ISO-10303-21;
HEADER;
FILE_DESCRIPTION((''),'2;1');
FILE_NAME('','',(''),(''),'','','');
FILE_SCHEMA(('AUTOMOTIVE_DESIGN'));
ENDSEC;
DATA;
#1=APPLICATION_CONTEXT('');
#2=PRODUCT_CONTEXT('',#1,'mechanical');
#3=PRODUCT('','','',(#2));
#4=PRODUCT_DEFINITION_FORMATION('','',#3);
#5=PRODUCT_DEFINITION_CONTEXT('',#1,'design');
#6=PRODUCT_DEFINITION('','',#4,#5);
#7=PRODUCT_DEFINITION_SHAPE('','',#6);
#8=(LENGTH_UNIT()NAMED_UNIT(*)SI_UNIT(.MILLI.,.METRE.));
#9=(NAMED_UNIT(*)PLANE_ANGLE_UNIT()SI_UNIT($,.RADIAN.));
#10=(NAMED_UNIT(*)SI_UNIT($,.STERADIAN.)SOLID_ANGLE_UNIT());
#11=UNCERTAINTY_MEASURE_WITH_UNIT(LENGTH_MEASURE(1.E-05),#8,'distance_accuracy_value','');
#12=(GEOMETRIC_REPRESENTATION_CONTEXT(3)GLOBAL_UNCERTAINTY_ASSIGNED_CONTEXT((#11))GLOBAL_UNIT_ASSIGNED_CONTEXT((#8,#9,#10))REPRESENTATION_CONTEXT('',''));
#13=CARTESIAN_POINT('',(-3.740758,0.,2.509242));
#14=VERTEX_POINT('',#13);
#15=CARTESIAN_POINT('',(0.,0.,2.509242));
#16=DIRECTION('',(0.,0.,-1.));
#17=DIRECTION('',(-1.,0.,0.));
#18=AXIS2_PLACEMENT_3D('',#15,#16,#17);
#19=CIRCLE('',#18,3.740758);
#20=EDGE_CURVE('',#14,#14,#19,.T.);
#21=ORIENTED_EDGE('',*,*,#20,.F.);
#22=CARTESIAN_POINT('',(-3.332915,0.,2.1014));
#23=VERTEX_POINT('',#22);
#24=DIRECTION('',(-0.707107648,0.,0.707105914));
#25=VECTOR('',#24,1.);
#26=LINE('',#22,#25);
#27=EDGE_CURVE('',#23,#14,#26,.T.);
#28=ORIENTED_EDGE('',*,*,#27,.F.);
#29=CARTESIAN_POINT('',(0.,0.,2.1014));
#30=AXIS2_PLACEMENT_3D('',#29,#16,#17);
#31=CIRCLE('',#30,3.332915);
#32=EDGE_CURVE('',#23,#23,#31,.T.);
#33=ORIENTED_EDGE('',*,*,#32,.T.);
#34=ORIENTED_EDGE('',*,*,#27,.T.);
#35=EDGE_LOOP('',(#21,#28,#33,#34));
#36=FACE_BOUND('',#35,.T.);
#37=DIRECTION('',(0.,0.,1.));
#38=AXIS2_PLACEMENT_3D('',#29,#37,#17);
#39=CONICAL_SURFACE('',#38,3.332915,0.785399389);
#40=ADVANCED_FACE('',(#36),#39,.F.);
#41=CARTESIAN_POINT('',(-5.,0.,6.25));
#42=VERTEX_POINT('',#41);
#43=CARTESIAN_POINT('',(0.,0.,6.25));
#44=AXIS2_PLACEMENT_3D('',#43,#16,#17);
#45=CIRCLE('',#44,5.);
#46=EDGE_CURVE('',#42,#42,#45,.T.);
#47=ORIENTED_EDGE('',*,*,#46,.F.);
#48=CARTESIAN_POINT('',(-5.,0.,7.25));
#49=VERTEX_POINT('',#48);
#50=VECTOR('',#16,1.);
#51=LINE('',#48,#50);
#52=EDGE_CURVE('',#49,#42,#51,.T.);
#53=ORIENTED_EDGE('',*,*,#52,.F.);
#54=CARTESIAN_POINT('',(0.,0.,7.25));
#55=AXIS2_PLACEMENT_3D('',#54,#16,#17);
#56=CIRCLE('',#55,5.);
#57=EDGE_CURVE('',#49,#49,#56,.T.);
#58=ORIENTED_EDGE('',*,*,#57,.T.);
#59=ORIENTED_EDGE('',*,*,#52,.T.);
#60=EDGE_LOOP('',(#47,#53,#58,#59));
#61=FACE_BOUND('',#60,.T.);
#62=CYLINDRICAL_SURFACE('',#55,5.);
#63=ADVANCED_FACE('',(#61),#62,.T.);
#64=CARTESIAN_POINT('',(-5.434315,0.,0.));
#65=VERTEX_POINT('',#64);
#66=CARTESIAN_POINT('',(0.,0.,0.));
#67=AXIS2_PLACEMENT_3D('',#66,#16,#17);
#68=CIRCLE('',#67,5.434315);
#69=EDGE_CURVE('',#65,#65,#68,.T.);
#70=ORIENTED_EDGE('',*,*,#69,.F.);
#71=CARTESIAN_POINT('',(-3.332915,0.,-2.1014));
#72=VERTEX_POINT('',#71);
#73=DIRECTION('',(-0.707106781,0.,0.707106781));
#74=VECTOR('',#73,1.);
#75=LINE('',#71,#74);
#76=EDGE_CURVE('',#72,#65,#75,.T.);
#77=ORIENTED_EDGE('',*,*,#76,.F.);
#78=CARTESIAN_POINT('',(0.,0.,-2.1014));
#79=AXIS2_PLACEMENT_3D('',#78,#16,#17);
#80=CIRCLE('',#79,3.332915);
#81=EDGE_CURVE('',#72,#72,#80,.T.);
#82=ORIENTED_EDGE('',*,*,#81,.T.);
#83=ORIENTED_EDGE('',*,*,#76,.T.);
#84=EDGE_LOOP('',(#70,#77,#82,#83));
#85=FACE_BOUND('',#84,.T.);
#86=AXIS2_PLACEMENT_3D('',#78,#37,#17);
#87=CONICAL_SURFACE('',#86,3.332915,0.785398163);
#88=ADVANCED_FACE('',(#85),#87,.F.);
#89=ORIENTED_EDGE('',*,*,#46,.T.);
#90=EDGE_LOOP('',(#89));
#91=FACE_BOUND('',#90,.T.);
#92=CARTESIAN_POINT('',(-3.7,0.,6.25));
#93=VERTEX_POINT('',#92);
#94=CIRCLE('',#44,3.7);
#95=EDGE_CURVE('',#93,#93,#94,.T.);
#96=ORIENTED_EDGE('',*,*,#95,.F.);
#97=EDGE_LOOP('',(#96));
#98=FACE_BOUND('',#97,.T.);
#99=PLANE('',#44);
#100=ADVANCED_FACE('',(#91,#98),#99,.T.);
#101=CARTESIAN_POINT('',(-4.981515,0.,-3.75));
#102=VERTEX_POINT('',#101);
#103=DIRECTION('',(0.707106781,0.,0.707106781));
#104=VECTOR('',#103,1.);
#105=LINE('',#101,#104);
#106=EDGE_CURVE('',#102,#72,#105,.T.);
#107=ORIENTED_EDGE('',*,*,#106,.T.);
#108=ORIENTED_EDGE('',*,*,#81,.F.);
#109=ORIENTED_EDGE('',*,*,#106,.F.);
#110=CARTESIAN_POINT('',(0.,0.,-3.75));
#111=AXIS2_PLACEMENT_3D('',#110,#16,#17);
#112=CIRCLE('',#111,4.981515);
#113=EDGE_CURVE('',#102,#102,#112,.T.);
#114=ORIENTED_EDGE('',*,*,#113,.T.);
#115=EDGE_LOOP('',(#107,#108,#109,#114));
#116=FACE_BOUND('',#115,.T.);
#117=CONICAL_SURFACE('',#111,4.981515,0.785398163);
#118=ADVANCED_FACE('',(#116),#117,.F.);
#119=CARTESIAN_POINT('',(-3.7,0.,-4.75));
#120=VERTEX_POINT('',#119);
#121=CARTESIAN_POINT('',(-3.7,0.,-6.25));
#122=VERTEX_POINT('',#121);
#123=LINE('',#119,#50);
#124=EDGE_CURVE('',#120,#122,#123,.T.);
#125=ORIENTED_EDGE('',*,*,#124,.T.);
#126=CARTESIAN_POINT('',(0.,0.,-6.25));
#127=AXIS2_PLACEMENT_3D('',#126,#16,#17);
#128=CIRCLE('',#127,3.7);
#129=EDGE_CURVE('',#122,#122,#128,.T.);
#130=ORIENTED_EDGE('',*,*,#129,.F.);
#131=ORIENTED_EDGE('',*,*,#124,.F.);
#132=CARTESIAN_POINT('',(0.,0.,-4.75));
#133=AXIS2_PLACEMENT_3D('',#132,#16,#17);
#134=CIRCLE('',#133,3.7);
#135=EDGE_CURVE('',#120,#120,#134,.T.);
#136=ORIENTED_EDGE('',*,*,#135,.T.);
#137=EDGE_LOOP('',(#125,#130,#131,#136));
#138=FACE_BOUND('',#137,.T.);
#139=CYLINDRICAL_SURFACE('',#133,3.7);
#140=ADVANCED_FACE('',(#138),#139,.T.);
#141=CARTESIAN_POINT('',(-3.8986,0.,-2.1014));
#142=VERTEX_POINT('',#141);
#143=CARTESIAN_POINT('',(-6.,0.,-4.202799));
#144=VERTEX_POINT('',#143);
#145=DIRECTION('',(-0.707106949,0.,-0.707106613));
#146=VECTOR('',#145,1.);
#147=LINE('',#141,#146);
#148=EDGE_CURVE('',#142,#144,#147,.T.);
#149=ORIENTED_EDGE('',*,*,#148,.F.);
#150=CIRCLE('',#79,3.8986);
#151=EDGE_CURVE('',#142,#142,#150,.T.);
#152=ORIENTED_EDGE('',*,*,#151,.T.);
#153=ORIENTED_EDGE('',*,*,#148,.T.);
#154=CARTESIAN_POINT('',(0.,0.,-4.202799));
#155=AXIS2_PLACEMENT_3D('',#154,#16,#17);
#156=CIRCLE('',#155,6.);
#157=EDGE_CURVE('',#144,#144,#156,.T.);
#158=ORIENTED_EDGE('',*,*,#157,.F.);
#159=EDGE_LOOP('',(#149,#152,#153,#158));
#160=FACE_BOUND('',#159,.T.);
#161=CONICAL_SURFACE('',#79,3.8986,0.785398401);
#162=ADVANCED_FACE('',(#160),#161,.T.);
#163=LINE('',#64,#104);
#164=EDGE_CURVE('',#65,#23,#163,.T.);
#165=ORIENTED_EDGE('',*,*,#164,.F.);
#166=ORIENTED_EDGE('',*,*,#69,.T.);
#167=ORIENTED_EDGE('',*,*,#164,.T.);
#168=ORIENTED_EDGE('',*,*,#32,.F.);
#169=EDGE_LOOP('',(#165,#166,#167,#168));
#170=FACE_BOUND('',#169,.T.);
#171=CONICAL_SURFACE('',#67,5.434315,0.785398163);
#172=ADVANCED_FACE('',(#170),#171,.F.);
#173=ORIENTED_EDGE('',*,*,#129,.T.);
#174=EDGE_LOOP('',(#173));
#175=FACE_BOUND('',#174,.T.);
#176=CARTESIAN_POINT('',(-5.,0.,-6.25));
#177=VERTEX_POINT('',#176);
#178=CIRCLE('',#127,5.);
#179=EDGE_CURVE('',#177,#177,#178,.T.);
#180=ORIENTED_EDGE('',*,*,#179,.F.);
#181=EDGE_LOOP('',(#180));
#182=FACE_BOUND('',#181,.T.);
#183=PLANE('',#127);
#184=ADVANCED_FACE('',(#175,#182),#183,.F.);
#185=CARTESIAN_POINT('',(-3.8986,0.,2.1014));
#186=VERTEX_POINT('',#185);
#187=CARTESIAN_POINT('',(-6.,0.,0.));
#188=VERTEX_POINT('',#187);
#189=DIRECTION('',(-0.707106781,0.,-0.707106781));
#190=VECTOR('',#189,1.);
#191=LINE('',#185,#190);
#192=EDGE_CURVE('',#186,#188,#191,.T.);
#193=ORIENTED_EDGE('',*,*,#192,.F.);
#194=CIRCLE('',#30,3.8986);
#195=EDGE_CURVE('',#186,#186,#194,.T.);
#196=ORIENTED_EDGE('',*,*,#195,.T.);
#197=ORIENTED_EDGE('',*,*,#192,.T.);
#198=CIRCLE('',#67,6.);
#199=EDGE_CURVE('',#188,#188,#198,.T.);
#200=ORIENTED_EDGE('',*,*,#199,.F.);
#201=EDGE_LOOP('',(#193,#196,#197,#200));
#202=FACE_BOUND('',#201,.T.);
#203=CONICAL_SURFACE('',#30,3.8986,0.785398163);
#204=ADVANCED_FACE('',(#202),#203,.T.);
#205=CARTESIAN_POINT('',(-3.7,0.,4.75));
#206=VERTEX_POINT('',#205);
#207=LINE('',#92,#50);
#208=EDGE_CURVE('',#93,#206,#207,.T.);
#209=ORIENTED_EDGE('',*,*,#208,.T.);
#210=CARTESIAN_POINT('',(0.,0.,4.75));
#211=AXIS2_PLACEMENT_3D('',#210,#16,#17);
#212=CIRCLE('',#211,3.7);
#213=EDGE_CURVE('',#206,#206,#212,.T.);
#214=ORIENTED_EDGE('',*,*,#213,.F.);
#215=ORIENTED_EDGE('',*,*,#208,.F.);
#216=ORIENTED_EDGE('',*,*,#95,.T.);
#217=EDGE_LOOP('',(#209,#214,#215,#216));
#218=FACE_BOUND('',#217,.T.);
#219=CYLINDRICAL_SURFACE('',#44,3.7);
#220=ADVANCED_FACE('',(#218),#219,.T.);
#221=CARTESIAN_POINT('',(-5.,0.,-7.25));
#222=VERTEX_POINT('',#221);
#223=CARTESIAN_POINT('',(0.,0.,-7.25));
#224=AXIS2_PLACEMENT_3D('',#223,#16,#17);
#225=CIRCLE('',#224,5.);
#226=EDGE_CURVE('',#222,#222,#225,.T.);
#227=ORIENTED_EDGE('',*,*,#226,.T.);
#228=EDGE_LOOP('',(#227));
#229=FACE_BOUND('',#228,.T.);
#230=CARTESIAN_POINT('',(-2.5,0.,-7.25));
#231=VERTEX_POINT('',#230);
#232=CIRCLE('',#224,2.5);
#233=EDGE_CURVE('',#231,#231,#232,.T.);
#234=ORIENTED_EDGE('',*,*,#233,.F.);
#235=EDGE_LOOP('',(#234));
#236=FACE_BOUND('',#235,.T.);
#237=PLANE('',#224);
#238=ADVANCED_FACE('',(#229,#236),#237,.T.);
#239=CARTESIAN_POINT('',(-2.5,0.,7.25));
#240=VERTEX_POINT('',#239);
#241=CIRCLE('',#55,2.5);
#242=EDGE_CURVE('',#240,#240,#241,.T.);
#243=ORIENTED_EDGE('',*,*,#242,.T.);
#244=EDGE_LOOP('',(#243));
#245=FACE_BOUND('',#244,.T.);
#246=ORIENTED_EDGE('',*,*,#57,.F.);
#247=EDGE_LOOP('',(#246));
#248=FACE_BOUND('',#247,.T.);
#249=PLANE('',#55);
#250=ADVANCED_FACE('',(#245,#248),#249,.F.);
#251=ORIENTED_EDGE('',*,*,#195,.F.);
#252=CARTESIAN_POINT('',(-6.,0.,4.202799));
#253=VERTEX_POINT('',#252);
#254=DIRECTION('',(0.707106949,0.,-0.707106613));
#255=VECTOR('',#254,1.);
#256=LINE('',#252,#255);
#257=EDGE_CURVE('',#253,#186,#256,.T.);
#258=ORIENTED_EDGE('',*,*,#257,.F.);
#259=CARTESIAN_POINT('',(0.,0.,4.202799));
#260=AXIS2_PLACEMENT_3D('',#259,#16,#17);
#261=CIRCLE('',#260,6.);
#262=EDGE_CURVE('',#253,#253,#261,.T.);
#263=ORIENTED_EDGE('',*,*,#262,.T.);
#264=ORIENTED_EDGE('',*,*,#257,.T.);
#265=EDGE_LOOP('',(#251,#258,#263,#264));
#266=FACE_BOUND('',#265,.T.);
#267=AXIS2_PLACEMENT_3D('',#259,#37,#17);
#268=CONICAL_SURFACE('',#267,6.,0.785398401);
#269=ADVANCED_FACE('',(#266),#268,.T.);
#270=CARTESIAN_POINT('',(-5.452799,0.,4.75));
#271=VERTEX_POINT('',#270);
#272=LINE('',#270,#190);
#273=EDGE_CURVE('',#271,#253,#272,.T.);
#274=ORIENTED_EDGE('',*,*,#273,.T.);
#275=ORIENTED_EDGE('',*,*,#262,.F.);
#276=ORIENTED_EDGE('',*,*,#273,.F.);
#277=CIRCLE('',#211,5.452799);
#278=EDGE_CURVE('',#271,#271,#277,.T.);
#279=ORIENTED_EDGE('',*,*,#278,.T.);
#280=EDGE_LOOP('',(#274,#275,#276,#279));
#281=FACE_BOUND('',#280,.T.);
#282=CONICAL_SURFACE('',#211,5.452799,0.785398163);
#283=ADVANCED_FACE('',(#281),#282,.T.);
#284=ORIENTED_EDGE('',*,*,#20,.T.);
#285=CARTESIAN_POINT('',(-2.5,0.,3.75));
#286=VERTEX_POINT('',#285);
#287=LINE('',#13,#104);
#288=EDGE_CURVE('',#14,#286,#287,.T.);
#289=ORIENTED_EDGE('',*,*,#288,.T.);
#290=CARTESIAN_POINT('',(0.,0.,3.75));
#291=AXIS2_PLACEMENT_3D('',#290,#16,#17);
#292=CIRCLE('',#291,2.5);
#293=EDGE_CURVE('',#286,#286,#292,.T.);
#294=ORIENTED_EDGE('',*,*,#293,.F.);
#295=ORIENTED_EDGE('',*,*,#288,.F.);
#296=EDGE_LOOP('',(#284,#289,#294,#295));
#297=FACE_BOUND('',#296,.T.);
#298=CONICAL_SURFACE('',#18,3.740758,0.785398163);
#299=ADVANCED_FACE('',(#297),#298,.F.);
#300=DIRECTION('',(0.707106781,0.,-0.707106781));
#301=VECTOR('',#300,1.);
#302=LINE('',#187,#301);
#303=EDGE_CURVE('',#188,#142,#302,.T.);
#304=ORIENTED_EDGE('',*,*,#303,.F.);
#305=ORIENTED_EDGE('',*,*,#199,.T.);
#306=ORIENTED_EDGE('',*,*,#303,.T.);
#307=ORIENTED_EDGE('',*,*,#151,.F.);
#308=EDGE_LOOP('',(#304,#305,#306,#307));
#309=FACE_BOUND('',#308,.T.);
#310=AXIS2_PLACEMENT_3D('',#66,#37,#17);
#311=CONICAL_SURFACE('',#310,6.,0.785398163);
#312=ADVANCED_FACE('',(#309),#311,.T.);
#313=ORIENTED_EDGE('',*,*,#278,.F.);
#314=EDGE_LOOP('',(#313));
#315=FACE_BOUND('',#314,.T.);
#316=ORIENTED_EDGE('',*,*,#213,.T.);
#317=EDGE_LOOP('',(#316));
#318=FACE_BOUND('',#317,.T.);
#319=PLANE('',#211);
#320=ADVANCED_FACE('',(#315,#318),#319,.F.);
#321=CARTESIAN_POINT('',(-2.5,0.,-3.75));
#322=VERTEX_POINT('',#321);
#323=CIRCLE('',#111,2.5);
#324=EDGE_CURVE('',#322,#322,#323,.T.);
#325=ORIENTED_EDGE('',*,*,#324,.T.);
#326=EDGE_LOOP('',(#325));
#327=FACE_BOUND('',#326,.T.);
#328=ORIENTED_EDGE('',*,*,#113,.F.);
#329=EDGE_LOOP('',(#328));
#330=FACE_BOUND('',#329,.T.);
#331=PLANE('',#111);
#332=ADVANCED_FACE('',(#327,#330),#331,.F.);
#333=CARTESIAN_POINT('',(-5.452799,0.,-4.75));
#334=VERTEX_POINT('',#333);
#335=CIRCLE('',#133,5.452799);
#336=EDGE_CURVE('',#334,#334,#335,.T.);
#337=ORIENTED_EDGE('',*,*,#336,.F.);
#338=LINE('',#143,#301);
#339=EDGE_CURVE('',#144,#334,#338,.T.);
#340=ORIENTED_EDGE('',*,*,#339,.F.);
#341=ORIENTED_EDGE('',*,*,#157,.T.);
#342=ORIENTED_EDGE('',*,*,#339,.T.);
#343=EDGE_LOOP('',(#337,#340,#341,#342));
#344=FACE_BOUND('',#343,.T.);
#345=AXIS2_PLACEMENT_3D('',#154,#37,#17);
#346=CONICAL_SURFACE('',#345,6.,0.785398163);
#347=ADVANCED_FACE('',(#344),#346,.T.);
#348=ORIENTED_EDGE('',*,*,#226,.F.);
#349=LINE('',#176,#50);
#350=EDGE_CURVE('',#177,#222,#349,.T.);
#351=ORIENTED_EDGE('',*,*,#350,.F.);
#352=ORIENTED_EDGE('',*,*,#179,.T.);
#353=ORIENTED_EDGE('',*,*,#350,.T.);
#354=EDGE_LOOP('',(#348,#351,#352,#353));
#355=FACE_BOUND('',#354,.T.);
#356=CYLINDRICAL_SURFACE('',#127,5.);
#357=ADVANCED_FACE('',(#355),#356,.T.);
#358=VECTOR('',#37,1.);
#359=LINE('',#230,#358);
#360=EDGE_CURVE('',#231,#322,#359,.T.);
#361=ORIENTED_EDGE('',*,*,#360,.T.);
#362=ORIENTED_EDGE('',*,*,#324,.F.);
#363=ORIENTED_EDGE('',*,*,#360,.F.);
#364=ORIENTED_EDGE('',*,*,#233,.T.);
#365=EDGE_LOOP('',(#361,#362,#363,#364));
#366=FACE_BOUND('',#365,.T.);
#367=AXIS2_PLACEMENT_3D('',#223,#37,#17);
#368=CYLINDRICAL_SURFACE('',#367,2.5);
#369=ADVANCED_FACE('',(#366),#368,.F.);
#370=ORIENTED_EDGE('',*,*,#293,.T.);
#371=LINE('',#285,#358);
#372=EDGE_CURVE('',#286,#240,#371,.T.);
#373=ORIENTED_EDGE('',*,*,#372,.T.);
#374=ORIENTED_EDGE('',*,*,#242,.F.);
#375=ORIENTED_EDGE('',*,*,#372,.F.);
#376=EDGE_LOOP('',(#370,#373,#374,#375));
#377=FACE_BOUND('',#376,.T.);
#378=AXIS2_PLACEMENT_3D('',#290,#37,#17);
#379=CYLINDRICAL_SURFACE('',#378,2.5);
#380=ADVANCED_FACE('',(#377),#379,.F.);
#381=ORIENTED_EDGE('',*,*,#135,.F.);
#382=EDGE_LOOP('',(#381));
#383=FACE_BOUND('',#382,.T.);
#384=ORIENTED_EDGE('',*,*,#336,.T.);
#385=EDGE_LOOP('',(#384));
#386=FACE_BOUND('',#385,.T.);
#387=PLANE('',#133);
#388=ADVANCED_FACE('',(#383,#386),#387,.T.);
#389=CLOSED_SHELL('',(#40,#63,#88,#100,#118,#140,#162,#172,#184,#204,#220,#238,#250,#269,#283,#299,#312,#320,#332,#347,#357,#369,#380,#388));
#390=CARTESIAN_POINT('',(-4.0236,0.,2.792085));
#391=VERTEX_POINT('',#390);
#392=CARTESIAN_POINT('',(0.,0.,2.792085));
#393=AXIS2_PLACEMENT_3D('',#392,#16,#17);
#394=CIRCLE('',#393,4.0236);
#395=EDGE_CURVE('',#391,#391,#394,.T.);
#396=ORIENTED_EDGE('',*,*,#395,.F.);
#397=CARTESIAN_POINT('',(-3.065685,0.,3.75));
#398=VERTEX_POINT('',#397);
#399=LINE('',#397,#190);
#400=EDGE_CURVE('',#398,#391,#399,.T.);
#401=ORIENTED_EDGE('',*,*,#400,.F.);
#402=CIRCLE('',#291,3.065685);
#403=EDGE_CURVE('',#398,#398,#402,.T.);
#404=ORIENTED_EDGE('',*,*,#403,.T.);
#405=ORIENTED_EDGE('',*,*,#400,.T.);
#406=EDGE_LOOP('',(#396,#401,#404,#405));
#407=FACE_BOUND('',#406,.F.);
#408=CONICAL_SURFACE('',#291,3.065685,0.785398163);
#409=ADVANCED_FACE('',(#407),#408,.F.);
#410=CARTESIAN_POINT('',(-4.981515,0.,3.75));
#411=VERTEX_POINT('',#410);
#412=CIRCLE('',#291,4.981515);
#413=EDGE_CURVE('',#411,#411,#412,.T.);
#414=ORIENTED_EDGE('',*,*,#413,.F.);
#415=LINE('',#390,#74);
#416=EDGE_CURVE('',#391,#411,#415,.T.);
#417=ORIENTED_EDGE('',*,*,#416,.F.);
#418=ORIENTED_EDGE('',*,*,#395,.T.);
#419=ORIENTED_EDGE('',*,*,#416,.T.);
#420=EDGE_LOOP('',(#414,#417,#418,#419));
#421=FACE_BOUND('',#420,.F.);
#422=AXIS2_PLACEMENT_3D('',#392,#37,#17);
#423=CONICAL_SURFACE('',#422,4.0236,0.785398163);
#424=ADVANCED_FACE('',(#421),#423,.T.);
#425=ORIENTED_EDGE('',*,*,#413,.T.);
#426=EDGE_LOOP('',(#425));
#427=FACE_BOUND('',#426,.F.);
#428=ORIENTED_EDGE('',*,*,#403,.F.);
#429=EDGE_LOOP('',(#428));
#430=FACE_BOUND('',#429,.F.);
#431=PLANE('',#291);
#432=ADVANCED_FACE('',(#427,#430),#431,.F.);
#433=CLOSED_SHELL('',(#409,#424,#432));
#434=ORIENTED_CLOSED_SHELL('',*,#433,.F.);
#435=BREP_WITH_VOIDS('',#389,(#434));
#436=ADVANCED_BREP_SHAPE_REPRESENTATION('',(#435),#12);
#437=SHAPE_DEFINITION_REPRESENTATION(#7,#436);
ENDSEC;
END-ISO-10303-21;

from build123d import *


with BuildPart() as f1:
    # F0 (on Front) → F1 (revolve)
    with BuildSketch(Plane.XZ):
        Polygon((-2.5, 3.75), (-2.5, 7.25), (-5, 7.25), (-5, 6.25), (-3.7, 6.25), (-3.7, 4.75), (-5.452799, 4.75), (-6, 4.202799), (-3.8986, 2.1014), (-6, 0), (-3.8986, -2.1014), (-6, -4.202799), (-5.452799, -4.75), (-3.7, -4.75), (-3.7, -6.25), (-5, -6.25), (-5, -7.25), (-2.5, -7.25), (-2.5, -3.75), (-4.981515, -3.75), (-3.332915, -2.1014), (-5.434315, 0), (-3.332915, 2.1014), (-3.740758, 2.509242), align=None)
        Polygon((-4.981515, 3.75), (-3.065685, 3.75), (-4.0236, 2.792085), align=None, mode=Mode.SUBTRACT)
    revolve(axis=Axis((0, 0, -0.799421), (0, 0, -1)))


solid = f1.part
